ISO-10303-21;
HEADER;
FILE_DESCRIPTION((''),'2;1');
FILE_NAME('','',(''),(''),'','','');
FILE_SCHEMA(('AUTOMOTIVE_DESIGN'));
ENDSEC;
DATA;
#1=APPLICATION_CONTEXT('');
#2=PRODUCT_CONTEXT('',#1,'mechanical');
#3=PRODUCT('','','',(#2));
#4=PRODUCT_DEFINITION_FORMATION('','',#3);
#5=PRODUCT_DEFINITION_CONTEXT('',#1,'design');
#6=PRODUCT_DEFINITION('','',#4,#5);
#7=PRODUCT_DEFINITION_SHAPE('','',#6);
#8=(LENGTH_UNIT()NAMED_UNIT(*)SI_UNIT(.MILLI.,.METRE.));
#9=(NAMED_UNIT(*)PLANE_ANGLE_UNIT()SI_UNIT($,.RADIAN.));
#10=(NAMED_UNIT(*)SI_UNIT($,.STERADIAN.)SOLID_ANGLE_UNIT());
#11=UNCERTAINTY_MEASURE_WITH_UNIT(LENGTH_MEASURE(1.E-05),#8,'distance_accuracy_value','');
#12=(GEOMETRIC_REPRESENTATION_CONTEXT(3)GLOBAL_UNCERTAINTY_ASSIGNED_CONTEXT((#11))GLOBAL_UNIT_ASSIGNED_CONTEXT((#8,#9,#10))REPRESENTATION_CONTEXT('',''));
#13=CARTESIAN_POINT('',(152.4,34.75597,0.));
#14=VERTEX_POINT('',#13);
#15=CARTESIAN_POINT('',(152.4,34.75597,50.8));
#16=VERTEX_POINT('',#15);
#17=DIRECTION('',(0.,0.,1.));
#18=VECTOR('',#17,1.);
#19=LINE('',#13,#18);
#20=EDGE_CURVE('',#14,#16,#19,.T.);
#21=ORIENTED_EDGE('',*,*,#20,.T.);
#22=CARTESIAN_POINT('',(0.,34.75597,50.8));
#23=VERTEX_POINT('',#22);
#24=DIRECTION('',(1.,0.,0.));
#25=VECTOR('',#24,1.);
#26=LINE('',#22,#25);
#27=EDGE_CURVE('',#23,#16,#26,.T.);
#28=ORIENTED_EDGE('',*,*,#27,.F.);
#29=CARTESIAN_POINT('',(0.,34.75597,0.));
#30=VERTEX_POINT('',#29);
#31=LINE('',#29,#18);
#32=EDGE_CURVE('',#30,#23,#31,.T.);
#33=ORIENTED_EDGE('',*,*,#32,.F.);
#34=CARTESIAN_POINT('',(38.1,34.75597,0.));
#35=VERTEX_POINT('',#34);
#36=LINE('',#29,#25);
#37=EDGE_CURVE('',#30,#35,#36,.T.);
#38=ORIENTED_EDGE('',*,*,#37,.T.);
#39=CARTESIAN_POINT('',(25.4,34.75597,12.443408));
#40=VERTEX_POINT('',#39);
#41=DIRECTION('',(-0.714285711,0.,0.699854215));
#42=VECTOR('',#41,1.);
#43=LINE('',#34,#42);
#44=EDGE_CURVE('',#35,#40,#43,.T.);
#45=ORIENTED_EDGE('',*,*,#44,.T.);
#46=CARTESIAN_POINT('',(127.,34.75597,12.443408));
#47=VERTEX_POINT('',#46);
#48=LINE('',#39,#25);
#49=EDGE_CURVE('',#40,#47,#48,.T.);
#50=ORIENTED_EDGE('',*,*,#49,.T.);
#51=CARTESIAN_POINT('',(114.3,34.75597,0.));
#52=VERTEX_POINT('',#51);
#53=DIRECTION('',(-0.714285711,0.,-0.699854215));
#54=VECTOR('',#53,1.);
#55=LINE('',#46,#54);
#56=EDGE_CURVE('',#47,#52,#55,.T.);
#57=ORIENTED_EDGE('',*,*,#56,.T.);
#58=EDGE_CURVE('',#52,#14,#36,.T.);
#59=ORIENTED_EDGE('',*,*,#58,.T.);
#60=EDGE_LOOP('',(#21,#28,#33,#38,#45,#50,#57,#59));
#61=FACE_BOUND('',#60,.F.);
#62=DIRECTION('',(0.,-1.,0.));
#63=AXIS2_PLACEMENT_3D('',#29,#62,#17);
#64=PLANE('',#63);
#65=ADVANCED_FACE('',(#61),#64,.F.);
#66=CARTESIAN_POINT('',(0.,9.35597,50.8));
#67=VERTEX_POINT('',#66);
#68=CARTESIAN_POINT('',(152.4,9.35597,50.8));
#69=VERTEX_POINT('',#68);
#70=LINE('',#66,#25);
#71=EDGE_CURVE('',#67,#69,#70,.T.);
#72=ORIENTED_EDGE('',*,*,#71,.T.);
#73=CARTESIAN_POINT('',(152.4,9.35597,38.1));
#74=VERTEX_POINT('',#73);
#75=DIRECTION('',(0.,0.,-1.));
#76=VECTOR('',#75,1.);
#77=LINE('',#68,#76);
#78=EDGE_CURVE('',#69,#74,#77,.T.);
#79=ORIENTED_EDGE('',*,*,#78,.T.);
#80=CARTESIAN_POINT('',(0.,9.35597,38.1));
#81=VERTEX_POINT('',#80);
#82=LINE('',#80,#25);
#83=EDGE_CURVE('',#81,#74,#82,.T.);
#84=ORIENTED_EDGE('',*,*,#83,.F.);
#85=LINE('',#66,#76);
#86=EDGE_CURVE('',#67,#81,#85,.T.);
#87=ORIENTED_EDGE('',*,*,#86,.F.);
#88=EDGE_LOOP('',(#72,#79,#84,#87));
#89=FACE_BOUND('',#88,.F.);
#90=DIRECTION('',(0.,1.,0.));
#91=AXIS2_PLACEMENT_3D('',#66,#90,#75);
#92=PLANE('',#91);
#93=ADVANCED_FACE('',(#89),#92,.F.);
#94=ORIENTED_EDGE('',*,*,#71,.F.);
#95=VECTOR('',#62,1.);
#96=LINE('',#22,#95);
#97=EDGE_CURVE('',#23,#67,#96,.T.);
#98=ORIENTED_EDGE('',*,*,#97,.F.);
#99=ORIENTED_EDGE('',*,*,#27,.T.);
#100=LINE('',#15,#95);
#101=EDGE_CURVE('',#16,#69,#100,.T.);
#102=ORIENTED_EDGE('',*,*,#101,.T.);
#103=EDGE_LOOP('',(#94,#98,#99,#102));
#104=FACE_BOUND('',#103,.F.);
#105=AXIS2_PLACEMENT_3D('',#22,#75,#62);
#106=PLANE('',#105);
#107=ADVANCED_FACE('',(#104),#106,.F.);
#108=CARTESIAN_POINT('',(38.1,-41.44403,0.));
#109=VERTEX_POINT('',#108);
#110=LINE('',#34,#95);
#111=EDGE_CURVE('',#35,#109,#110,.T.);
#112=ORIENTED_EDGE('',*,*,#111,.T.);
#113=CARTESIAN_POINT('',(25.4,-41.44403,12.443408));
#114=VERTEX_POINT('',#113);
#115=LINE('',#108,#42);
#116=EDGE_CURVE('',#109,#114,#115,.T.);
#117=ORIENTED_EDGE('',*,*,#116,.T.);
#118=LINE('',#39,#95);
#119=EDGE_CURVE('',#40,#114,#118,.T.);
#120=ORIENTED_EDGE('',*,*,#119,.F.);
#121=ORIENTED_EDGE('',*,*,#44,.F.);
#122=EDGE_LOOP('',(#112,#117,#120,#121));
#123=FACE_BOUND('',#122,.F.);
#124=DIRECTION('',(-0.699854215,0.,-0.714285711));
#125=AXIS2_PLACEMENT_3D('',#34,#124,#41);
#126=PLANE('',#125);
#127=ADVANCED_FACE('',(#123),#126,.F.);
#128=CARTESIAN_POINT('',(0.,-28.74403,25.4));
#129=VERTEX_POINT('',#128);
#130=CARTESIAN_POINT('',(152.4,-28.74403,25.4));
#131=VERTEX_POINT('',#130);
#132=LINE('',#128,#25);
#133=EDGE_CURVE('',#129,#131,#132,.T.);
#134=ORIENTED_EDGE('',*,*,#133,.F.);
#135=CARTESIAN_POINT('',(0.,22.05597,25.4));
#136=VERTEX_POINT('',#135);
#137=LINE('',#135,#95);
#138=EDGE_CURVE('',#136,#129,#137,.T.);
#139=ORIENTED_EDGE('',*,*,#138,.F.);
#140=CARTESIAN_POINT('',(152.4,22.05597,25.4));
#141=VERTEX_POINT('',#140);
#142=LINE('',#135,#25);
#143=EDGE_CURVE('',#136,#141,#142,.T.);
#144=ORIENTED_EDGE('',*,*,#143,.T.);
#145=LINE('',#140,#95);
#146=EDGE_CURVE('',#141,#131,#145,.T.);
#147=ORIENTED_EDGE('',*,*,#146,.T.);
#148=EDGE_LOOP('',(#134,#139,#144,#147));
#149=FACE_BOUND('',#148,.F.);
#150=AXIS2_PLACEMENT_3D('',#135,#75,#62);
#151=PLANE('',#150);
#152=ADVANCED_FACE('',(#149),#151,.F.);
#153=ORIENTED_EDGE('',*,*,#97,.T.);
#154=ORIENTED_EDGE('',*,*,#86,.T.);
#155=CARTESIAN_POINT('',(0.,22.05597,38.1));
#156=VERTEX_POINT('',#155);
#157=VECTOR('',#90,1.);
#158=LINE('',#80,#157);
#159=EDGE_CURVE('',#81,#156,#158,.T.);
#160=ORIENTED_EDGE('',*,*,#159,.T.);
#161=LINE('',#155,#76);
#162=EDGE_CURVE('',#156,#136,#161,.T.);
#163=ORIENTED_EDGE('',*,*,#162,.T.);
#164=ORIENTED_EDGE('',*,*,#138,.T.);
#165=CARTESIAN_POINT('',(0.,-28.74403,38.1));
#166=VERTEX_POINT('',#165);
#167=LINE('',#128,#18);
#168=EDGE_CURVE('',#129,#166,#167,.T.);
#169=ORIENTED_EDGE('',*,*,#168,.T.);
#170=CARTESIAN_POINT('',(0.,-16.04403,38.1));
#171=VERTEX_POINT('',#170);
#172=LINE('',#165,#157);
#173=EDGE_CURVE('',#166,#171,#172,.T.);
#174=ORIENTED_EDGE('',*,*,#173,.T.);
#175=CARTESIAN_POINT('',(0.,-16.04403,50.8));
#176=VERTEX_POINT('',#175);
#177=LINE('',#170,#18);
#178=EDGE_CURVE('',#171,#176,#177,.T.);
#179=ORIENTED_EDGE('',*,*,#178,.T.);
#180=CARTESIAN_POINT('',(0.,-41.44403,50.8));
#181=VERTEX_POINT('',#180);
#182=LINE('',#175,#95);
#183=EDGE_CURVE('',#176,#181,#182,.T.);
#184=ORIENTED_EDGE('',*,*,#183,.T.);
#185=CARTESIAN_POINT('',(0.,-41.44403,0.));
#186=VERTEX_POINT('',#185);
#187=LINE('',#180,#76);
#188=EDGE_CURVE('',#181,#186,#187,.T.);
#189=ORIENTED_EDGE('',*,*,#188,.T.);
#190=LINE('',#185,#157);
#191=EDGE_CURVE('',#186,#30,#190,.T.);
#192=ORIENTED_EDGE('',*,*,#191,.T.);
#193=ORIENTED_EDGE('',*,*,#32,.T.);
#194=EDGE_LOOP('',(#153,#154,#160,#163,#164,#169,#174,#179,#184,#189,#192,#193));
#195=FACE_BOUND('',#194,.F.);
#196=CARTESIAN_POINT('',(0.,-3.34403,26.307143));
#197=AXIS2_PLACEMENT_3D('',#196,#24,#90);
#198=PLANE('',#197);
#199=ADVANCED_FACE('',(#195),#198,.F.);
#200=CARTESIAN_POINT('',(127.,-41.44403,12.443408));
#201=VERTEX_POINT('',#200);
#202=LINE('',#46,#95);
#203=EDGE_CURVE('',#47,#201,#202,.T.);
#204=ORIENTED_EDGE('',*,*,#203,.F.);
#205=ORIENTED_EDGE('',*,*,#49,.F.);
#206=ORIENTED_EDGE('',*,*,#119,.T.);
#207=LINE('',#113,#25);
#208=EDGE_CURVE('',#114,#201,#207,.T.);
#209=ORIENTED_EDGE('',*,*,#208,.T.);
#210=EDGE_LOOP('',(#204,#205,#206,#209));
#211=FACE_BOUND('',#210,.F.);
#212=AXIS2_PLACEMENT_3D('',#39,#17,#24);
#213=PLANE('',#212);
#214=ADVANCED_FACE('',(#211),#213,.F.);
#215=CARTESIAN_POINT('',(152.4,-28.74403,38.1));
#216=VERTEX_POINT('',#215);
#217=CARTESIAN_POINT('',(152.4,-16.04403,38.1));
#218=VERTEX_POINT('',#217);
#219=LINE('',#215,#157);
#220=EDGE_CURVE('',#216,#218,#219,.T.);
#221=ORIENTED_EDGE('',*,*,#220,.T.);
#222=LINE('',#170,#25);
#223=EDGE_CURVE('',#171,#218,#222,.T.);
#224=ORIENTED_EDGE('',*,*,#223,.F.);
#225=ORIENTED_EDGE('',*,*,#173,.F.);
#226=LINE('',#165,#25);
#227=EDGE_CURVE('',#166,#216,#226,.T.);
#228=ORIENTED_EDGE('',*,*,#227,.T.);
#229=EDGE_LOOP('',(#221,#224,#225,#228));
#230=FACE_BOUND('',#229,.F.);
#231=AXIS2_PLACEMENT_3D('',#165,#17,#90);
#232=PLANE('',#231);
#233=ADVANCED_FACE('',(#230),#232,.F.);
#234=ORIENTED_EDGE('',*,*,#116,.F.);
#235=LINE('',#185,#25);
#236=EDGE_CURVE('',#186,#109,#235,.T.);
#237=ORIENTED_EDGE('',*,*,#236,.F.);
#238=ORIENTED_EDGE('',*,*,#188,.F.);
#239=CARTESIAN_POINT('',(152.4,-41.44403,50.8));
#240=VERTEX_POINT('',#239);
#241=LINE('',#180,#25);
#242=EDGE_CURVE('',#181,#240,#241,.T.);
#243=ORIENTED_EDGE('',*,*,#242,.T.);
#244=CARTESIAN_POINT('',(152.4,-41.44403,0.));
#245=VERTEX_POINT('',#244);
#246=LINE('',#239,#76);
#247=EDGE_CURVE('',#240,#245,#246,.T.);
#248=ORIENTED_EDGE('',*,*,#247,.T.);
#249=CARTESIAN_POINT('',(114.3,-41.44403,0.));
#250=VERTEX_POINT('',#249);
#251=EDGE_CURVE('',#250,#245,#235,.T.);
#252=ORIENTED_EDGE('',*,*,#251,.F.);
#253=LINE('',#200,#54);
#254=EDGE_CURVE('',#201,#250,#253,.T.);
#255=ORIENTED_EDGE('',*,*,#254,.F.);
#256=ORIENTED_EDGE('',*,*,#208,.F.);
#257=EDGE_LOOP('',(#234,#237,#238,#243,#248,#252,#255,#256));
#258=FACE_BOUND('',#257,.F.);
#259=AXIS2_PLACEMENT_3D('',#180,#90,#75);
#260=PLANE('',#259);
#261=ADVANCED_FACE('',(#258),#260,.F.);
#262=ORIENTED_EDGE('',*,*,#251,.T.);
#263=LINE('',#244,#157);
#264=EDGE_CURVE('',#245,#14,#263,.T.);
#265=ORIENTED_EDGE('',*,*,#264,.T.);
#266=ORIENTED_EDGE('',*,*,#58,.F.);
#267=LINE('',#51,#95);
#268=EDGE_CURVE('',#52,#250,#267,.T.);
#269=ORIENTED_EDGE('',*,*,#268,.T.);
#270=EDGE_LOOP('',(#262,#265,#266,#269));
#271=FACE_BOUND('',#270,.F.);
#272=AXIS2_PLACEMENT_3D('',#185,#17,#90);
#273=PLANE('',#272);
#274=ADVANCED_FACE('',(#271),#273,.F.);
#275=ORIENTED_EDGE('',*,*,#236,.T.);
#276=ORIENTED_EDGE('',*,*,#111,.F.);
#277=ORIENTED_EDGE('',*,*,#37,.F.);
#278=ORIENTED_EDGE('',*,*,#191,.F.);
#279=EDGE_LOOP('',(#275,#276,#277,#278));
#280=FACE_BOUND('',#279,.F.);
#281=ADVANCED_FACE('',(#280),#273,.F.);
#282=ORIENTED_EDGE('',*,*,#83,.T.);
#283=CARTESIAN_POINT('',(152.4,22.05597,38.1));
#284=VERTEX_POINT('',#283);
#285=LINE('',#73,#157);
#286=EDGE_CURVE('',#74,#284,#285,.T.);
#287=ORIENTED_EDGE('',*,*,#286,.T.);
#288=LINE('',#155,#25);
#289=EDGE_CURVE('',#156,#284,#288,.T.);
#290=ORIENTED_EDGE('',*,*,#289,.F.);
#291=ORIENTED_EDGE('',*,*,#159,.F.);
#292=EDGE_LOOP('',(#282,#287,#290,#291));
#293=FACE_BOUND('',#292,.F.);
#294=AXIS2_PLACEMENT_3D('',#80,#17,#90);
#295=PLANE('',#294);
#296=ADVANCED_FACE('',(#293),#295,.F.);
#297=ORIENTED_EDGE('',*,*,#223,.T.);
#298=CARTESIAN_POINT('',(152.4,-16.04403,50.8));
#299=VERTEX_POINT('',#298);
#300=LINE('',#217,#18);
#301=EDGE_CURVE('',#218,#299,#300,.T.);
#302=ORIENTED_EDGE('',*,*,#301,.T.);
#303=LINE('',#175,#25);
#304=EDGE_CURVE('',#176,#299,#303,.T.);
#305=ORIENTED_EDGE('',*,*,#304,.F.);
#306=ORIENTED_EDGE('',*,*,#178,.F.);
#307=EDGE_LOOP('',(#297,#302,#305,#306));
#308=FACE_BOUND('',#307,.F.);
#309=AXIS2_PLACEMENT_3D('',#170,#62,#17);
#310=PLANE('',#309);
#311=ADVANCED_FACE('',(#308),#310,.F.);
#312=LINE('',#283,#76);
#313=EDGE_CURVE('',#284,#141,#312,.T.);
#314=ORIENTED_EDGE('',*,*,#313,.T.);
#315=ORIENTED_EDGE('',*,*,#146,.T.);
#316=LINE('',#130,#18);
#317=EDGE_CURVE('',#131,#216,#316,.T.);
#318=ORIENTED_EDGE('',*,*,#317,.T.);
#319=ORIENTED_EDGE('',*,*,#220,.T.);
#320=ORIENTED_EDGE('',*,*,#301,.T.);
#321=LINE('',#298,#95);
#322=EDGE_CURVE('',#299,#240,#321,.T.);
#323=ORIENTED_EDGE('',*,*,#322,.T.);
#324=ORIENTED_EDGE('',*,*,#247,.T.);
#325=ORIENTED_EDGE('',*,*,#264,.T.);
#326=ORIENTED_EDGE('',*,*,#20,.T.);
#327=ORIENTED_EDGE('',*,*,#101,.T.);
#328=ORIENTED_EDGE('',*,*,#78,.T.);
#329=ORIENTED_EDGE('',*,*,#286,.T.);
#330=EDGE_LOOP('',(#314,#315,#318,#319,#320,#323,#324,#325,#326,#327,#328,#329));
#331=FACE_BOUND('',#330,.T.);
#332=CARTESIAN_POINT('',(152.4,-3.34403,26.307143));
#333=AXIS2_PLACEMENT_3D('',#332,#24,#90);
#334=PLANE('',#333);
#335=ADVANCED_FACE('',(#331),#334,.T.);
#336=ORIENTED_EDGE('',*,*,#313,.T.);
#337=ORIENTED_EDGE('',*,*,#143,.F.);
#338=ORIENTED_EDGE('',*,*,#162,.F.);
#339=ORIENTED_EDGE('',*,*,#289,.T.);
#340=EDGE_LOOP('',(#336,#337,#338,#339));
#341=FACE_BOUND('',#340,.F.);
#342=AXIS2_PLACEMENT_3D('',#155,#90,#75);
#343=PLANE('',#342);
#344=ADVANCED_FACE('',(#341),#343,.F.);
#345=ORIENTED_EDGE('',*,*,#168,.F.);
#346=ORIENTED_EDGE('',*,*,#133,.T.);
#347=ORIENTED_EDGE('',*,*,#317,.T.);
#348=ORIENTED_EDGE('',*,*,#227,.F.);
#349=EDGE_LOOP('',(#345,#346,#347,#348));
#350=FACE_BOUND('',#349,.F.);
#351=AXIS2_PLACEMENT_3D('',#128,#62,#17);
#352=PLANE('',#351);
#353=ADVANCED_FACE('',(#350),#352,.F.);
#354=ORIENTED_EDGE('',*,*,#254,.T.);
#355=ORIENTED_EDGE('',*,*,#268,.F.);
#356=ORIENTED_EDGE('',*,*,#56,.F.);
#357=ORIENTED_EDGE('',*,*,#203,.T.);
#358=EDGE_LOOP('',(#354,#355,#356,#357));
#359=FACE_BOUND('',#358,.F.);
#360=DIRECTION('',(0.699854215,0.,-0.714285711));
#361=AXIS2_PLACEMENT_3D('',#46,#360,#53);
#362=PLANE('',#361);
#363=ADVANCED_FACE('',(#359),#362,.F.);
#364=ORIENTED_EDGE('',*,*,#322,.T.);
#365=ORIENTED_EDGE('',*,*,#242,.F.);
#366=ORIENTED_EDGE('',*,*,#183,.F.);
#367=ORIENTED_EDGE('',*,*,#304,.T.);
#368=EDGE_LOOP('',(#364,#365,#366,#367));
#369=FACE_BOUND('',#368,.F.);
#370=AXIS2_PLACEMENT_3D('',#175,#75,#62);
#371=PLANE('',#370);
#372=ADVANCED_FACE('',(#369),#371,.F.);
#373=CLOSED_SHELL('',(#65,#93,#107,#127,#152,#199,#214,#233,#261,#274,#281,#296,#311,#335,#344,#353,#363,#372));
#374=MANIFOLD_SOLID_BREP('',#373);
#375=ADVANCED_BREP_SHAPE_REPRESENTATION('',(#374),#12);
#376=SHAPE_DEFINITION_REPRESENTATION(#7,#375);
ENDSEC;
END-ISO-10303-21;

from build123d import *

# Parameters (mm, degrees)
F1_DEPTH = 152.4
F4_DEPTH = 76.2


with BuildPart() as f1:
    # F0 (on Right) → F1 (new body)
    with BuildSketch(Plane.YZ):
        Polygon((-41.44403, 50.8), (-41.44403, 0), (34.75597, 0), (34.75597, 50.8), (9.35597, 50.8), (9.35597, 38.1), (22.05597, 38.1), (22.05597, 25.4), (-28.74403, 25.4), (-28.74403, 38.1), (-16.04403, 38.1), (-16.04403, 50.8), align=None)
    extrude(amount=F1_DEPTH)

    # F3 (on face) → F4 (cut, through all)
    with BuildSketch(Plane(origin=(0, 34.75597, 0), x_dir=(-1, 0, 0), z_dir=(0, 1, 0))):
        Polygon((-127, 12.443408), (-114.3, 0), (-38.1, 0), (-25.4, 12.443408), align=None)
    extrude(amount=-F4_DEPTH, mode=Mode.SUBTRACT)


solid = f1.part
